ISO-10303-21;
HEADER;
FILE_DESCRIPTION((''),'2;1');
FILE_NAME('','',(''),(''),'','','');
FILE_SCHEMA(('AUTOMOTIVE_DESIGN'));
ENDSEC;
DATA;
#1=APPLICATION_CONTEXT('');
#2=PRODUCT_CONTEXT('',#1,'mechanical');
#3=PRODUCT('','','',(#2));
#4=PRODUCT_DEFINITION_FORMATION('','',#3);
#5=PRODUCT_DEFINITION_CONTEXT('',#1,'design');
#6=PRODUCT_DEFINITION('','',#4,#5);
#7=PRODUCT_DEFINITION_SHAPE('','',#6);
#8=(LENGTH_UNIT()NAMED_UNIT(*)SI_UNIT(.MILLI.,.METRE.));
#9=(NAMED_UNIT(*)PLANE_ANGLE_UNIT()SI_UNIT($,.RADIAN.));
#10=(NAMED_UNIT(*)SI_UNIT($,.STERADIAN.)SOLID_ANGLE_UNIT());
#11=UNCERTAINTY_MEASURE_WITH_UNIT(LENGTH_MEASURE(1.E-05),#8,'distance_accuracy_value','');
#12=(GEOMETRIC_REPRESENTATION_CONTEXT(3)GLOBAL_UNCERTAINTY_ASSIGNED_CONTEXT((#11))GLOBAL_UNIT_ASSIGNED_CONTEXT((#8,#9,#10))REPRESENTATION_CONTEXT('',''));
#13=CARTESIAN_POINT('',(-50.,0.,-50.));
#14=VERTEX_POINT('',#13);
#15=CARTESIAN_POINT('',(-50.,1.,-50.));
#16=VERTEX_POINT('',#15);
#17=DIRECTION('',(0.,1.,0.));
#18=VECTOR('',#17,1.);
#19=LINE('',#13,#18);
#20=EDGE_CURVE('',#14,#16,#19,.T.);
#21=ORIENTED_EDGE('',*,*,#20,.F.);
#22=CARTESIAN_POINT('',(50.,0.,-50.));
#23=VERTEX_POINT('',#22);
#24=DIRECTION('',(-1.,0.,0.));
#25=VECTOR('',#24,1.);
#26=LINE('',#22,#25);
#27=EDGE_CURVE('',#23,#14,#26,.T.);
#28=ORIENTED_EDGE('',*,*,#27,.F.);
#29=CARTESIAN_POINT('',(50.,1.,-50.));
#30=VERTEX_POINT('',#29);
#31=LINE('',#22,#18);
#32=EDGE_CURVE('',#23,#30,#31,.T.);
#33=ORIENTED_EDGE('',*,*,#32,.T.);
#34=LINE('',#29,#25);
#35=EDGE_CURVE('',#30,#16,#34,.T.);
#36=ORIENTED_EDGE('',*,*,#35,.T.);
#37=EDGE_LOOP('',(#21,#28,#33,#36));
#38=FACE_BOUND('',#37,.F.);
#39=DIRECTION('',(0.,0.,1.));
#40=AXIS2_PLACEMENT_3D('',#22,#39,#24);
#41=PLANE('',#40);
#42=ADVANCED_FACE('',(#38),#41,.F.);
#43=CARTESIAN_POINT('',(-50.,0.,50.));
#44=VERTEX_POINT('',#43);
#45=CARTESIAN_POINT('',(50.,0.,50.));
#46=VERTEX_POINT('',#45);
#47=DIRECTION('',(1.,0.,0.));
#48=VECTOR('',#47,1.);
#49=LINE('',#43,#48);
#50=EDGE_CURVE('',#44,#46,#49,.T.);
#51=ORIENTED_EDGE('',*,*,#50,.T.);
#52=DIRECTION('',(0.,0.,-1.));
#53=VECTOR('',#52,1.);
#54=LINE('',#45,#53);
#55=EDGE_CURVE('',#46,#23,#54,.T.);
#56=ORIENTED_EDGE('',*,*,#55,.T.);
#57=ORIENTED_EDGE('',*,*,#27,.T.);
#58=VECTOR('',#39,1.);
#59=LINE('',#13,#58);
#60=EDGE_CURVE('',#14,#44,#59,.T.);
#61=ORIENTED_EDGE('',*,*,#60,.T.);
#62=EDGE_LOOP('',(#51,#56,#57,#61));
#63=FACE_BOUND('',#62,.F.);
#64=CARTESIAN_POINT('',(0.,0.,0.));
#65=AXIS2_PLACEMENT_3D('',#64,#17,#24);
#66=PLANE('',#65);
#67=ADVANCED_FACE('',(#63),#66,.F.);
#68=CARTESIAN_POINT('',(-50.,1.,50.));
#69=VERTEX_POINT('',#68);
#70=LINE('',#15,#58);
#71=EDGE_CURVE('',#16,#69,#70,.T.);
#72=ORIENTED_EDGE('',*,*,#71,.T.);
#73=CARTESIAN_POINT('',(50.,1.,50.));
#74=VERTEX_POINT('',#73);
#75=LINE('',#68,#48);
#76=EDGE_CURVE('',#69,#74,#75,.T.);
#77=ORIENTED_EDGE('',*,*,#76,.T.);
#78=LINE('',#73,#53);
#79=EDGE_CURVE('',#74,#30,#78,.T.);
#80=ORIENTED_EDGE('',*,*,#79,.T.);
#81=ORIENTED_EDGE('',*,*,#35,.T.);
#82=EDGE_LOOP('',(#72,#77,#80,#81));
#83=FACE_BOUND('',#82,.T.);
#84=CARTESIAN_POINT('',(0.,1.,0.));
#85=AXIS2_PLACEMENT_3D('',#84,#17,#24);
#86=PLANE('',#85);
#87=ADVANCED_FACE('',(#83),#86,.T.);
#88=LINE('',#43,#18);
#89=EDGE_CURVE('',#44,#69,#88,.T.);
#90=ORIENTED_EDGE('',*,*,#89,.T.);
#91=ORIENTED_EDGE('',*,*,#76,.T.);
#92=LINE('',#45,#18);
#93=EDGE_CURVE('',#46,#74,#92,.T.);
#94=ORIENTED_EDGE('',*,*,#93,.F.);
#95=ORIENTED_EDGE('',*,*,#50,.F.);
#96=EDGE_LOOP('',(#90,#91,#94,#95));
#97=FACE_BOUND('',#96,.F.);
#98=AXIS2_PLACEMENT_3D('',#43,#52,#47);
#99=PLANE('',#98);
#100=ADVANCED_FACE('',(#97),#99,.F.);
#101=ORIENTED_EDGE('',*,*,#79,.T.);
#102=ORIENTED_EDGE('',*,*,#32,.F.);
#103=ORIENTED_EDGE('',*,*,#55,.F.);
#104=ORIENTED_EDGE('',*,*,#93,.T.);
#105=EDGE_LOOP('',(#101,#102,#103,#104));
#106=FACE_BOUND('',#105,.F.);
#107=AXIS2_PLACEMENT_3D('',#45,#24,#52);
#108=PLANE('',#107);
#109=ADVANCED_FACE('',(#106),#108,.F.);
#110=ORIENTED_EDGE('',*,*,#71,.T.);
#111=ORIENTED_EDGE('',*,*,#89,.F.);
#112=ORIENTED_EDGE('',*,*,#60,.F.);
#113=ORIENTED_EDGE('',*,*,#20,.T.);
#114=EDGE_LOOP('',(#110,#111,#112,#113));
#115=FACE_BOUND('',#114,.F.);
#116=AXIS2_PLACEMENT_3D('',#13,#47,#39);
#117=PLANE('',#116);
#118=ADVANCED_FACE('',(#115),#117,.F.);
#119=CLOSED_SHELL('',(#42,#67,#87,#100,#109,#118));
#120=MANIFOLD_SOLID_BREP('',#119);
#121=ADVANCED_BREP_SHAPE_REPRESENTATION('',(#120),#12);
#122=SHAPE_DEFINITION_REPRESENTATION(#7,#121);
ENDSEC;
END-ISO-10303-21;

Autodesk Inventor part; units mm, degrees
ref_plane "YZ Plane" through (0, 0, 0) normal (1, 0, 0) x (0, 1, 0)
ref_plane "XZ Plane" through (0, 0, 0) normal (0, 1, 0) x (-1, 0, 0)
ref_plane "XY Plane" through (0, 0, 0) normal (0, 0, 1) x (1, 0, 0)
sketch "Szkic1" plane through (0, 0, 0) normal (0, 1, 0) x (-1, 0, 0)
  line L0 (50, 50) -> (-50, 50)
  line L1 (-50, 50) -> (-50, -50)
  line L2 (-50, -50) -> (50, -50)
  line L3 (50, -50) -> (50, 50)
  point P0 (0, 0)
  dimension "d0" = 50
  dimension "d1" = 100
  dimension "d2" = 100
  dimension "d3" = 50
extrude "Wyciągnięcie proste1" add sketch "Szkic1" along normal blind 1
properties part number "Plate" material "Szkło"
